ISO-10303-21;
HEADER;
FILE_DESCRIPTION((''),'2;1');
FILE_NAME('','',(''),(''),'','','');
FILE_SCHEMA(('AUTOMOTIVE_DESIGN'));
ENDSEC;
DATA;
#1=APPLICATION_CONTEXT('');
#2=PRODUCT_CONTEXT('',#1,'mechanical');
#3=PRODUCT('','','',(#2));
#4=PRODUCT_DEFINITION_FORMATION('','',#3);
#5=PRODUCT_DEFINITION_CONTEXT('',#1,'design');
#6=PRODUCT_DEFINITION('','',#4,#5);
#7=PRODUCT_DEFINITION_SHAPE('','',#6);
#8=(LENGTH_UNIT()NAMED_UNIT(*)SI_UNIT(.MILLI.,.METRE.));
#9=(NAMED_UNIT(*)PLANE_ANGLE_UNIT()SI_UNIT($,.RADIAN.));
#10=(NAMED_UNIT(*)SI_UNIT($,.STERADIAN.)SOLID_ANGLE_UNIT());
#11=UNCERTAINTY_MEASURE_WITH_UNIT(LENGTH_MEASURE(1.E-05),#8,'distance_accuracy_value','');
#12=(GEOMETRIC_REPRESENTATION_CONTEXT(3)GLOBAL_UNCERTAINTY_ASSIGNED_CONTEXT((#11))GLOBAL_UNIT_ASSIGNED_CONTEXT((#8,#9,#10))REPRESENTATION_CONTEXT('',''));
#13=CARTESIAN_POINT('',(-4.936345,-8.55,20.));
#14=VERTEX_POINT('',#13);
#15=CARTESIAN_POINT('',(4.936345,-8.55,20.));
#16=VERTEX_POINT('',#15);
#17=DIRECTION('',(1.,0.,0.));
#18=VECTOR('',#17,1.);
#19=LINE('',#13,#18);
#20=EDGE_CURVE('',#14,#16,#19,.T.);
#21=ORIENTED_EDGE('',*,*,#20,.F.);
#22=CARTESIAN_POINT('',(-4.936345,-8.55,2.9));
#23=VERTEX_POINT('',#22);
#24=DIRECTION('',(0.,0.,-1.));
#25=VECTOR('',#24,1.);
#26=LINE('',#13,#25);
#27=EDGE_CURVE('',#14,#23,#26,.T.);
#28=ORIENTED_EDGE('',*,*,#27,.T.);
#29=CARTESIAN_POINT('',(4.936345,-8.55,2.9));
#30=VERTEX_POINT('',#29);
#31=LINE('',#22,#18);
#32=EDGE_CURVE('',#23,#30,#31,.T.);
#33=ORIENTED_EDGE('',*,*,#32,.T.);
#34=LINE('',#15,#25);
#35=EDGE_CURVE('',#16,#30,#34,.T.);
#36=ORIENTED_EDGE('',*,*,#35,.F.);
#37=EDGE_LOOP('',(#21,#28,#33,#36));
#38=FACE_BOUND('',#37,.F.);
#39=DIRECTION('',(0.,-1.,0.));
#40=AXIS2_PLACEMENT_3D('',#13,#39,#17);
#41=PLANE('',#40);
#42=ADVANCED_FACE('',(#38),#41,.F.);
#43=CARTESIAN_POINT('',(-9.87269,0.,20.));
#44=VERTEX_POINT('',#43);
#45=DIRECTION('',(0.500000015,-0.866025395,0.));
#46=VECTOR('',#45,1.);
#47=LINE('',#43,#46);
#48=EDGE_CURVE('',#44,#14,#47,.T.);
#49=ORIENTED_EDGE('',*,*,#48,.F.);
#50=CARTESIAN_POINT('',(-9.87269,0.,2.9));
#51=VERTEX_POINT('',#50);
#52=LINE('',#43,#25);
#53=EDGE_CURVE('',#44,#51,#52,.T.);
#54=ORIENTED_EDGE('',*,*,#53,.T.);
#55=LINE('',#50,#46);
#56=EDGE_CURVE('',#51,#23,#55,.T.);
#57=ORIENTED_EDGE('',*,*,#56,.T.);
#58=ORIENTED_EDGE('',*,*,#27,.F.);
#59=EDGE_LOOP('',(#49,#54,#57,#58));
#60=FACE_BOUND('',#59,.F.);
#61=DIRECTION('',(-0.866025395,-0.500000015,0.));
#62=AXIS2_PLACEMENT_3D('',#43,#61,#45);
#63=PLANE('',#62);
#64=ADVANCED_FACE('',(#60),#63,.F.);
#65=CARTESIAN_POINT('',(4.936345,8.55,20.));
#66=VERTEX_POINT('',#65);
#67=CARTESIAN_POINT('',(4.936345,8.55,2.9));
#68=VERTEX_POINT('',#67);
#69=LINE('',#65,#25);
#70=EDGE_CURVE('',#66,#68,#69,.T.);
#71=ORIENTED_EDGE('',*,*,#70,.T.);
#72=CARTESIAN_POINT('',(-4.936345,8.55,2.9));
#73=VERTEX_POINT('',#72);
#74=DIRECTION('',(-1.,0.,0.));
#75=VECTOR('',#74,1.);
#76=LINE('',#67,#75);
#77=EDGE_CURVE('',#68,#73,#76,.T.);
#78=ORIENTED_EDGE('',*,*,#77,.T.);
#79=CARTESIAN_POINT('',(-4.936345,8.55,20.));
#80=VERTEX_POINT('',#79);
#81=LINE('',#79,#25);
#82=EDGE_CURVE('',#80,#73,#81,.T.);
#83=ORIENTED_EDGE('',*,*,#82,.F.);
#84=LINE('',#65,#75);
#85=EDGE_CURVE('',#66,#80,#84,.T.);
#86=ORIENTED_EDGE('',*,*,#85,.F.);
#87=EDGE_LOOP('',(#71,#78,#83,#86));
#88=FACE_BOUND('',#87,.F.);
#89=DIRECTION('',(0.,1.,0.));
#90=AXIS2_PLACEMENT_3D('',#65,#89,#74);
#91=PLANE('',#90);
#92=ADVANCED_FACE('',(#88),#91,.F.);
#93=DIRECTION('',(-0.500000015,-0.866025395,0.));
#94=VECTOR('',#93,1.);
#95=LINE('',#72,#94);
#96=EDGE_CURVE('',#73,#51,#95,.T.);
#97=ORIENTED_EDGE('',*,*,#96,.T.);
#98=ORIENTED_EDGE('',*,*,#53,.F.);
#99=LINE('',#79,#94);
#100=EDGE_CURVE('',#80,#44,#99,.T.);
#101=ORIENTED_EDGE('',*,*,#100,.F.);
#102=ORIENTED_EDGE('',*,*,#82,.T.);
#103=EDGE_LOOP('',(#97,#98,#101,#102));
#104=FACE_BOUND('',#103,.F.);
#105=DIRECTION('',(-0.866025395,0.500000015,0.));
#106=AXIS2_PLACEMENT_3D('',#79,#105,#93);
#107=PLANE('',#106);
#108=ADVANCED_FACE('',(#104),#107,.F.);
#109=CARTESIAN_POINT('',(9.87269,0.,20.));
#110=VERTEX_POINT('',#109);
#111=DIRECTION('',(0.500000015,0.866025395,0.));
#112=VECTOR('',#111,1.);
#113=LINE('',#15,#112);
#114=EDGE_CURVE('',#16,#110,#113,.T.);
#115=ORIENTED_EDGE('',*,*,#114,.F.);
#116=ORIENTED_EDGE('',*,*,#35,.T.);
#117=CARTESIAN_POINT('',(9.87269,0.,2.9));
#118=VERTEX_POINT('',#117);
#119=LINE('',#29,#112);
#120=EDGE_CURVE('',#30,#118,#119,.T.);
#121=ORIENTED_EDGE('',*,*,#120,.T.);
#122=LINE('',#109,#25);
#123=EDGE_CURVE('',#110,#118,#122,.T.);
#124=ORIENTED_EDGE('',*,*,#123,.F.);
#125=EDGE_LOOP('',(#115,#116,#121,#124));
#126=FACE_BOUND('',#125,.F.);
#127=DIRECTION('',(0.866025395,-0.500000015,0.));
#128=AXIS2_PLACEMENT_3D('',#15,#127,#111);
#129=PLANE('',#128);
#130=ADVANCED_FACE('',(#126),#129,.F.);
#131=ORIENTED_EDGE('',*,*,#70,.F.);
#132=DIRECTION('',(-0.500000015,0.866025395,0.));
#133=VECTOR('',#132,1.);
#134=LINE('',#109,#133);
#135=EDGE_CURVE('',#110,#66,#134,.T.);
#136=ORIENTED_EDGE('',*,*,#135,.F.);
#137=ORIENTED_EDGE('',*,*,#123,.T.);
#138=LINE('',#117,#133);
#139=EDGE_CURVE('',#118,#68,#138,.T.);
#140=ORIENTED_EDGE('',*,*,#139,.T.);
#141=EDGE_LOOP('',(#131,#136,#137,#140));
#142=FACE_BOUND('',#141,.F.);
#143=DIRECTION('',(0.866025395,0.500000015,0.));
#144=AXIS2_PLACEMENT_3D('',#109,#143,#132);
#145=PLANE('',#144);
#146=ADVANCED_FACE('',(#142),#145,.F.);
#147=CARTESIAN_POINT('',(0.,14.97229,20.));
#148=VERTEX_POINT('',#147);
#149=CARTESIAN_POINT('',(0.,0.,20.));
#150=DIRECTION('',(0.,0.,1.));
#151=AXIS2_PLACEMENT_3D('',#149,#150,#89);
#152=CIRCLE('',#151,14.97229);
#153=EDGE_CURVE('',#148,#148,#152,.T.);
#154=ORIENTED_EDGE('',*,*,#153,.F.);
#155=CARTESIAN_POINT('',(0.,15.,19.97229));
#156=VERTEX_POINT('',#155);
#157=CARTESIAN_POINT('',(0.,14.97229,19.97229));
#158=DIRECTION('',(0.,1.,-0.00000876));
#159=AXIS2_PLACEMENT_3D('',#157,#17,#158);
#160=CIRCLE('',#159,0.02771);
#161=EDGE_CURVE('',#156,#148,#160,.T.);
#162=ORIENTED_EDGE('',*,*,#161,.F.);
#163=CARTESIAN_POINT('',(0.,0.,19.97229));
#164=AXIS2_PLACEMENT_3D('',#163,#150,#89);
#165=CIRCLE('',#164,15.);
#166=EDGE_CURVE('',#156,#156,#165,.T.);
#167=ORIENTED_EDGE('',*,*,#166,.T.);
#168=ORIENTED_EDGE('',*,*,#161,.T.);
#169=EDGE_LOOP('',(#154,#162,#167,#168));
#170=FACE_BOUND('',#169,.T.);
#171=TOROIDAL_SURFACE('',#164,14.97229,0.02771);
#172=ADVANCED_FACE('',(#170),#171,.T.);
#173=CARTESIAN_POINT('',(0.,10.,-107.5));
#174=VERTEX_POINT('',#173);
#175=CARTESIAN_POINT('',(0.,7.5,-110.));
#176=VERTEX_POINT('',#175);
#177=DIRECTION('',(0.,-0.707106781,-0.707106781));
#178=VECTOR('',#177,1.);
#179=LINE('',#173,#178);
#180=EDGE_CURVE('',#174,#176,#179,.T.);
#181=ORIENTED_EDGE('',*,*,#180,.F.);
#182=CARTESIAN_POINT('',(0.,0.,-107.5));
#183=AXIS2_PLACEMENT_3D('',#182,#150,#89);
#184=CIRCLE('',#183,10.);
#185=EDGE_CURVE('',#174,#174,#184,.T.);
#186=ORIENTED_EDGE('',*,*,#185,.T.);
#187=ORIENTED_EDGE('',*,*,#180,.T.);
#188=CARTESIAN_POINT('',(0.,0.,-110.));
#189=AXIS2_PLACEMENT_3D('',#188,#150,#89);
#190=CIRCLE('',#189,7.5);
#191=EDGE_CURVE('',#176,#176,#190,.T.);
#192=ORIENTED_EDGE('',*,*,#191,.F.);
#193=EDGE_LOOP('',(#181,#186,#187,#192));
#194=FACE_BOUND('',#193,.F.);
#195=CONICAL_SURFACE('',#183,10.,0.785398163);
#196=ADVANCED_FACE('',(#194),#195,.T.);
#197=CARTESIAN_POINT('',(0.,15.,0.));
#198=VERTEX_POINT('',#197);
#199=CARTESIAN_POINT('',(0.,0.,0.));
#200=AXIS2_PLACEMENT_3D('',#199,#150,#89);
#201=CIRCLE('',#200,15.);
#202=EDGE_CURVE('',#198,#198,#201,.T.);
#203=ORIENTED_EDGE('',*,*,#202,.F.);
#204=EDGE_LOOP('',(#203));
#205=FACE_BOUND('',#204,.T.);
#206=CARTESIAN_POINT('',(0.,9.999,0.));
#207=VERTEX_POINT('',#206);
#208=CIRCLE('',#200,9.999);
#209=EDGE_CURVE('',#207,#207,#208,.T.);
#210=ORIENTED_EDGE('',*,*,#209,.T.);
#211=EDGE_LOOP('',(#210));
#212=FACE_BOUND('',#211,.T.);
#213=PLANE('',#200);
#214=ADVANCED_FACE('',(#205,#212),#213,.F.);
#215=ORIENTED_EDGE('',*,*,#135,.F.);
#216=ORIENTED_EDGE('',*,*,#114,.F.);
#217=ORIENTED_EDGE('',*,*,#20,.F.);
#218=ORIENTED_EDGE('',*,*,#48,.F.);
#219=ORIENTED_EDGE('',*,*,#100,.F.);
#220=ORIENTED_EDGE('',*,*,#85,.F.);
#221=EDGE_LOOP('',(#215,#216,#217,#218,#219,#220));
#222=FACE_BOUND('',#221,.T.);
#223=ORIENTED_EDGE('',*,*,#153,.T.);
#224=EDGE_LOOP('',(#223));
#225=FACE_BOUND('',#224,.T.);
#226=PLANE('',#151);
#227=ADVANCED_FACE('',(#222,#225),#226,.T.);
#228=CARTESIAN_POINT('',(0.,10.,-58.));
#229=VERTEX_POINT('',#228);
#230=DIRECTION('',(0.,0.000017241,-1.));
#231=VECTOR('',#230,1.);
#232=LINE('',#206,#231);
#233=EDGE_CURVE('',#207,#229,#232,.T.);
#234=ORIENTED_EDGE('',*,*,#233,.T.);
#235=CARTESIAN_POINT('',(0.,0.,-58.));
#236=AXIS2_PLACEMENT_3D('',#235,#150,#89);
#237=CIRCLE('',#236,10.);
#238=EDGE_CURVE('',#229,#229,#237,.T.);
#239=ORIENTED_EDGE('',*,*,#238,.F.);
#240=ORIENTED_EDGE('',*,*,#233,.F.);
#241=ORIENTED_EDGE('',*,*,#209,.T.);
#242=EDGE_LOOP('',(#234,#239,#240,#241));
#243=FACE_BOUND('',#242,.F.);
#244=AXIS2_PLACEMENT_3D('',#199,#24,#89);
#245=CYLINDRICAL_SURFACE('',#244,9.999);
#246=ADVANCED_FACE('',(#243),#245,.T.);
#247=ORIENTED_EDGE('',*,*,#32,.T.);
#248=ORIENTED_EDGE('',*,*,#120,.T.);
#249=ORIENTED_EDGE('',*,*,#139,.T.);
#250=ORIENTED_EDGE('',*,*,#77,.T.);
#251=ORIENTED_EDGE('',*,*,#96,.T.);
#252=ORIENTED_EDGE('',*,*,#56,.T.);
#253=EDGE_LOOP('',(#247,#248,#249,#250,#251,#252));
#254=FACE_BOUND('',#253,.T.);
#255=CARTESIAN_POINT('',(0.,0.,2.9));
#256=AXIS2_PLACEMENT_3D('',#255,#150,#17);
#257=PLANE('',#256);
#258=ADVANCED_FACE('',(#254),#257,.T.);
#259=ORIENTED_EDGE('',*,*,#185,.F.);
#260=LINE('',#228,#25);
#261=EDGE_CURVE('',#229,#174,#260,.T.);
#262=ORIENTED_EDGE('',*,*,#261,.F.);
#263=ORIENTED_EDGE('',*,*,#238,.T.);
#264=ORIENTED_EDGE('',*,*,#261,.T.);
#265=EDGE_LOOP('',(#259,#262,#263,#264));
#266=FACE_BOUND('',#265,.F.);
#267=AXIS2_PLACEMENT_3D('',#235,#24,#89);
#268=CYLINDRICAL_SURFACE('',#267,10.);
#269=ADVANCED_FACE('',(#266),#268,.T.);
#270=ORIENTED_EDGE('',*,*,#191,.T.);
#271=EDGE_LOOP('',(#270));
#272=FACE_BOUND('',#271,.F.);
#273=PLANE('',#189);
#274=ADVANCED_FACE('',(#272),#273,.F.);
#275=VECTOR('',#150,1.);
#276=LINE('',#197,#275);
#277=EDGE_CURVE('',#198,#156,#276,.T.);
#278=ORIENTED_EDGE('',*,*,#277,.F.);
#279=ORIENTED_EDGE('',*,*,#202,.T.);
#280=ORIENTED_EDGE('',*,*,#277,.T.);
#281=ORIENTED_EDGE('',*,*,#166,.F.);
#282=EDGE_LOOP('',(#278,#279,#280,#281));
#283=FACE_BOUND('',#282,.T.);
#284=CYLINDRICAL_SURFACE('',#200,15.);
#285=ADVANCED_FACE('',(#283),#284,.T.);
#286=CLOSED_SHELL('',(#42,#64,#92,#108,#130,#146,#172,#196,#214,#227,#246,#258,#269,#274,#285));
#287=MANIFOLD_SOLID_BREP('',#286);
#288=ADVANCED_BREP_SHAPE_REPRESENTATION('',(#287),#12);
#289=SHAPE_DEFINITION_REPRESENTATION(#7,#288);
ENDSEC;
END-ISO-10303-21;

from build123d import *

# Parameters (mm, degrees)
POCKET_DEPTH = 17.1


with BuildPart() as part:
    # Sketch → Revolve (revolve)
    with BuildSketch(Plane.YZ):
        with BuildLine():
            Line((9.999, 0), (15, 0))
            Line((15, 0), (15, 19.97229))
            ThreePointArc((15, 19.97229), (14.991884, 19.991884), (14.97229, 20))
            Line((14.97229, 20), (0, 20))
            Line((0, -110), (0, 20))
            Line((7.5, -110), (0, -110))
            Line((10, -107.5), (7.5, -110))
            Line((10, -58), (10, -107.5))
            Line((9.999, 0), (10, -58))
        make_face()
    revolve(axis=Axis((0, 0, 0), (0, 0, 1)))

    # Sketch001 → Pocket (cut)
    with BuildSketch(Plane.XY.offset(20)):
        Polygon((9.87269, 0), (4.936345, 8.55), (-4.936345, 8.55), (-9.87269, 0), (-4.936345, -8.55), (4.936345, -8.55), align=None)
    extrude(amount=-POCKET_DEPTH, mode=Mode.SUBTRACT)


solid = part.part
